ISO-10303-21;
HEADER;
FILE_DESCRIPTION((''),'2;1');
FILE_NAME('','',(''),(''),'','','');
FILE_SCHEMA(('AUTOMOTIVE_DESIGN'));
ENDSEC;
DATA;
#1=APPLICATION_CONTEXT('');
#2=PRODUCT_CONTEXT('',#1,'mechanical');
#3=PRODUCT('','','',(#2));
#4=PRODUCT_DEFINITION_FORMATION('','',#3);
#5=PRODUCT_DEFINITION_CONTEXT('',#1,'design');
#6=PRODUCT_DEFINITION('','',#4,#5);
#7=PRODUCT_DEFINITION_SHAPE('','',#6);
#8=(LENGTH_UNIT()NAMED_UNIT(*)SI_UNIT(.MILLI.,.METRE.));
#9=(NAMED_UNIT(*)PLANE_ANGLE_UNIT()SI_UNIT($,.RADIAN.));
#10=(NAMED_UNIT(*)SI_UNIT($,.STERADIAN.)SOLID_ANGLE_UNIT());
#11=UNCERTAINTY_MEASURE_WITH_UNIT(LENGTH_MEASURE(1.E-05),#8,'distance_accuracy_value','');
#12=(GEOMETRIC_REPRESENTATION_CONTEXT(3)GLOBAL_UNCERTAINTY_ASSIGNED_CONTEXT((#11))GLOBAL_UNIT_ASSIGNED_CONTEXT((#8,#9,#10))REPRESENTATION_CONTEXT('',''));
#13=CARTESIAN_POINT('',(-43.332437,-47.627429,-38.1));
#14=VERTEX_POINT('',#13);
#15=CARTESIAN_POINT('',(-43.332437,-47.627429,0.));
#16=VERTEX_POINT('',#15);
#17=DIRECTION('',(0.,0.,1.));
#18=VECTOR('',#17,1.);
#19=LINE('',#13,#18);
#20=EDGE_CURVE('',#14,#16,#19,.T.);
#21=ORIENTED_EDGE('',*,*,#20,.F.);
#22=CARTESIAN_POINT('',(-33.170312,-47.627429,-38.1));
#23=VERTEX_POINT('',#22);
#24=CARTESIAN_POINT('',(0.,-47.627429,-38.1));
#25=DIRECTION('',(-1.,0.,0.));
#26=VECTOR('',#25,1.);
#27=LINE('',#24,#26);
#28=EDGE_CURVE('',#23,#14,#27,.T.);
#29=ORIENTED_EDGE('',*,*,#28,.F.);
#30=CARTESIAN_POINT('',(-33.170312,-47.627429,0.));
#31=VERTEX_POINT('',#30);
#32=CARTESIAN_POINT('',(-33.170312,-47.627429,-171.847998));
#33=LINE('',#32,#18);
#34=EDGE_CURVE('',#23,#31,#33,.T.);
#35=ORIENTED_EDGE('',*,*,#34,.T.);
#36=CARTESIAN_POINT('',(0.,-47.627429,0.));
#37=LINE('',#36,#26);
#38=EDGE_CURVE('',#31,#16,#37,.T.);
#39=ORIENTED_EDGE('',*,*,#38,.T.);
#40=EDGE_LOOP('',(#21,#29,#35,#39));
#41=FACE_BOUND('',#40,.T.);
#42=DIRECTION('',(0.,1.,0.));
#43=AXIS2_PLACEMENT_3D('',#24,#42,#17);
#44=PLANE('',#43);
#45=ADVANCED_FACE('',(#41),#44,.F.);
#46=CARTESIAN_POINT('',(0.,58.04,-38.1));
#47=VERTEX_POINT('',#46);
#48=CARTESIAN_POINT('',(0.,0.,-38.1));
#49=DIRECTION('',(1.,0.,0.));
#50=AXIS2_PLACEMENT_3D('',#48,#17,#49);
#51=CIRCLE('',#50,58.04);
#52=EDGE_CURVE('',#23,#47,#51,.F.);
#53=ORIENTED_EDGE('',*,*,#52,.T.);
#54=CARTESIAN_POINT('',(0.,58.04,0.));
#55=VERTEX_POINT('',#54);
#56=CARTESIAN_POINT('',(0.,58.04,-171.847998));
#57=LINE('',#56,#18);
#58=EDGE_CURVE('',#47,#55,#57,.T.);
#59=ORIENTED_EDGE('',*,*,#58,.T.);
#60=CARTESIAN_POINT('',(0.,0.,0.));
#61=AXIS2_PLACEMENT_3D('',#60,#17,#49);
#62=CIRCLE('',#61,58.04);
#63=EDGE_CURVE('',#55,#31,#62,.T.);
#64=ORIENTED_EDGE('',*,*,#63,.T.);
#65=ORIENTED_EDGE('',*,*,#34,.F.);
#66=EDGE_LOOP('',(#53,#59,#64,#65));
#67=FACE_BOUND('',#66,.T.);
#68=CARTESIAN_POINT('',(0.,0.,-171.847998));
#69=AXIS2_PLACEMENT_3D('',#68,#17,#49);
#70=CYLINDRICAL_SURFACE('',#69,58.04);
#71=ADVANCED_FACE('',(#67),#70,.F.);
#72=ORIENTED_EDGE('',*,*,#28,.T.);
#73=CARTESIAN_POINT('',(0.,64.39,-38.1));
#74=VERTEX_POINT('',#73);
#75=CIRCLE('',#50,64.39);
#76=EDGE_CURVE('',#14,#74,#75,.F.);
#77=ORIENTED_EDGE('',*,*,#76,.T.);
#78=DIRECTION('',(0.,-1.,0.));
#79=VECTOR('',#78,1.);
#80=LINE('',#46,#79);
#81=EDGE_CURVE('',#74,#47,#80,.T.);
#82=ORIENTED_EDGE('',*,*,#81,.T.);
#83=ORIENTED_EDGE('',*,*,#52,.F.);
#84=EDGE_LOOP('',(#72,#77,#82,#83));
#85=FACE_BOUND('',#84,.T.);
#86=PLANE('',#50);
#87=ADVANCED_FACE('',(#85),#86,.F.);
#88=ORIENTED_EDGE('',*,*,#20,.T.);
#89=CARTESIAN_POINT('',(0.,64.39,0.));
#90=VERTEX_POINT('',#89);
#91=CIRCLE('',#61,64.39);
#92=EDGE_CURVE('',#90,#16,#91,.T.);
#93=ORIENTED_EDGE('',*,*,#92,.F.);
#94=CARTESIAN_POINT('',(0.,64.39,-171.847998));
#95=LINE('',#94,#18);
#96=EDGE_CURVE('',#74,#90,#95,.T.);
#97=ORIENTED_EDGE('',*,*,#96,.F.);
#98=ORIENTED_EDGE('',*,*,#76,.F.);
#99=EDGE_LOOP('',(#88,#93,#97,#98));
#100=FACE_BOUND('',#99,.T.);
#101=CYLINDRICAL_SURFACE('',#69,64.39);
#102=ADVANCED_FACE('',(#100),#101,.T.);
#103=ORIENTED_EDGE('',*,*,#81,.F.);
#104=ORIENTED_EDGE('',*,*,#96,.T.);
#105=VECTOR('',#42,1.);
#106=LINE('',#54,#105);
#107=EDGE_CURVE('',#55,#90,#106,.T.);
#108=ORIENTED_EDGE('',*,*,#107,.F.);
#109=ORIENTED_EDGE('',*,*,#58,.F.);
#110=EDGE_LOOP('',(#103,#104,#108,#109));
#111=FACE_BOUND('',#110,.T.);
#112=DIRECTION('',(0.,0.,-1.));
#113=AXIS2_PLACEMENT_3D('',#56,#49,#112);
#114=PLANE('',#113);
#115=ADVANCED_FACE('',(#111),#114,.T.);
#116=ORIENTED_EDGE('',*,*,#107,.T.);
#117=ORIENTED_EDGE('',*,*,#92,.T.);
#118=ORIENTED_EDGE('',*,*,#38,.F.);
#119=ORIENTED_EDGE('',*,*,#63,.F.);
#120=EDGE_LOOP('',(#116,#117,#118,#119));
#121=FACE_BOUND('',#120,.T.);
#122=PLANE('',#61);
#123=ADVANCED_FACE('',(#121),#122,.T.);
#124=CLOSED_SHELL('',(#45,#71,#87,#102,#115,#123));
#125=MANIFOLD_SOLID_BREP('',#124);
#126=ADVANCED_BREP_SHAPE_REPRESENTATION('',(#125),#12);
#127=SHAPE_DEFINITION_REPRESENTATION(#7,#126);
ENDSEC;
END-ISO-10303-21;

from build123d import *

# Parameters (mm, degrees)
BOSS_EXTRUDE1_DEPTH = 38.1
CUT_EXTRUDE1_DEPTH  = 99.710456386


with BuildPart() as part:
    # Sketch1 → Boss-Extrude1 (new body)
    with BuildSketch(Plane.XY):
        with BuildLine():
            Line((0, 58.04), (0, 64.39))
            ThreePointArc((0, 64.39), (-61.434212481, 19.284958823), (-36.7993868, -52.838217524))
            Line((-36.7993868, -52.838217524), (-33.170312314, -47.627428872))
            ThreePointArc((-33.170312314, -47.627428872), (-55.375705737, 17.383118654), (0, 58.04))
        make_face()
    extrude(amount=-BOSS_EXTRUDE1_DEPTH)

    # Sketch2 → Cut-Extrude1 (cut, through all)
    with BuildSketch(Plane.XY):
        with BuildLine():
            Line((-36.7993868, -52.838217524), (-33.170312314, -47.627428872))
            Line((-33.170312314, -47.627428872), (-43.332437261, -47.627428872))
            ThreePointArc((-43.332437261, -47.627428872), (-40.150534074, -50.338918478), (-36.7993868, -52.838217524))
        make_face()
    extrude(amount=-CUT_EXTRUDE1_DEPTH, mode=Mode.SUBTRACT)


solid = part.part
